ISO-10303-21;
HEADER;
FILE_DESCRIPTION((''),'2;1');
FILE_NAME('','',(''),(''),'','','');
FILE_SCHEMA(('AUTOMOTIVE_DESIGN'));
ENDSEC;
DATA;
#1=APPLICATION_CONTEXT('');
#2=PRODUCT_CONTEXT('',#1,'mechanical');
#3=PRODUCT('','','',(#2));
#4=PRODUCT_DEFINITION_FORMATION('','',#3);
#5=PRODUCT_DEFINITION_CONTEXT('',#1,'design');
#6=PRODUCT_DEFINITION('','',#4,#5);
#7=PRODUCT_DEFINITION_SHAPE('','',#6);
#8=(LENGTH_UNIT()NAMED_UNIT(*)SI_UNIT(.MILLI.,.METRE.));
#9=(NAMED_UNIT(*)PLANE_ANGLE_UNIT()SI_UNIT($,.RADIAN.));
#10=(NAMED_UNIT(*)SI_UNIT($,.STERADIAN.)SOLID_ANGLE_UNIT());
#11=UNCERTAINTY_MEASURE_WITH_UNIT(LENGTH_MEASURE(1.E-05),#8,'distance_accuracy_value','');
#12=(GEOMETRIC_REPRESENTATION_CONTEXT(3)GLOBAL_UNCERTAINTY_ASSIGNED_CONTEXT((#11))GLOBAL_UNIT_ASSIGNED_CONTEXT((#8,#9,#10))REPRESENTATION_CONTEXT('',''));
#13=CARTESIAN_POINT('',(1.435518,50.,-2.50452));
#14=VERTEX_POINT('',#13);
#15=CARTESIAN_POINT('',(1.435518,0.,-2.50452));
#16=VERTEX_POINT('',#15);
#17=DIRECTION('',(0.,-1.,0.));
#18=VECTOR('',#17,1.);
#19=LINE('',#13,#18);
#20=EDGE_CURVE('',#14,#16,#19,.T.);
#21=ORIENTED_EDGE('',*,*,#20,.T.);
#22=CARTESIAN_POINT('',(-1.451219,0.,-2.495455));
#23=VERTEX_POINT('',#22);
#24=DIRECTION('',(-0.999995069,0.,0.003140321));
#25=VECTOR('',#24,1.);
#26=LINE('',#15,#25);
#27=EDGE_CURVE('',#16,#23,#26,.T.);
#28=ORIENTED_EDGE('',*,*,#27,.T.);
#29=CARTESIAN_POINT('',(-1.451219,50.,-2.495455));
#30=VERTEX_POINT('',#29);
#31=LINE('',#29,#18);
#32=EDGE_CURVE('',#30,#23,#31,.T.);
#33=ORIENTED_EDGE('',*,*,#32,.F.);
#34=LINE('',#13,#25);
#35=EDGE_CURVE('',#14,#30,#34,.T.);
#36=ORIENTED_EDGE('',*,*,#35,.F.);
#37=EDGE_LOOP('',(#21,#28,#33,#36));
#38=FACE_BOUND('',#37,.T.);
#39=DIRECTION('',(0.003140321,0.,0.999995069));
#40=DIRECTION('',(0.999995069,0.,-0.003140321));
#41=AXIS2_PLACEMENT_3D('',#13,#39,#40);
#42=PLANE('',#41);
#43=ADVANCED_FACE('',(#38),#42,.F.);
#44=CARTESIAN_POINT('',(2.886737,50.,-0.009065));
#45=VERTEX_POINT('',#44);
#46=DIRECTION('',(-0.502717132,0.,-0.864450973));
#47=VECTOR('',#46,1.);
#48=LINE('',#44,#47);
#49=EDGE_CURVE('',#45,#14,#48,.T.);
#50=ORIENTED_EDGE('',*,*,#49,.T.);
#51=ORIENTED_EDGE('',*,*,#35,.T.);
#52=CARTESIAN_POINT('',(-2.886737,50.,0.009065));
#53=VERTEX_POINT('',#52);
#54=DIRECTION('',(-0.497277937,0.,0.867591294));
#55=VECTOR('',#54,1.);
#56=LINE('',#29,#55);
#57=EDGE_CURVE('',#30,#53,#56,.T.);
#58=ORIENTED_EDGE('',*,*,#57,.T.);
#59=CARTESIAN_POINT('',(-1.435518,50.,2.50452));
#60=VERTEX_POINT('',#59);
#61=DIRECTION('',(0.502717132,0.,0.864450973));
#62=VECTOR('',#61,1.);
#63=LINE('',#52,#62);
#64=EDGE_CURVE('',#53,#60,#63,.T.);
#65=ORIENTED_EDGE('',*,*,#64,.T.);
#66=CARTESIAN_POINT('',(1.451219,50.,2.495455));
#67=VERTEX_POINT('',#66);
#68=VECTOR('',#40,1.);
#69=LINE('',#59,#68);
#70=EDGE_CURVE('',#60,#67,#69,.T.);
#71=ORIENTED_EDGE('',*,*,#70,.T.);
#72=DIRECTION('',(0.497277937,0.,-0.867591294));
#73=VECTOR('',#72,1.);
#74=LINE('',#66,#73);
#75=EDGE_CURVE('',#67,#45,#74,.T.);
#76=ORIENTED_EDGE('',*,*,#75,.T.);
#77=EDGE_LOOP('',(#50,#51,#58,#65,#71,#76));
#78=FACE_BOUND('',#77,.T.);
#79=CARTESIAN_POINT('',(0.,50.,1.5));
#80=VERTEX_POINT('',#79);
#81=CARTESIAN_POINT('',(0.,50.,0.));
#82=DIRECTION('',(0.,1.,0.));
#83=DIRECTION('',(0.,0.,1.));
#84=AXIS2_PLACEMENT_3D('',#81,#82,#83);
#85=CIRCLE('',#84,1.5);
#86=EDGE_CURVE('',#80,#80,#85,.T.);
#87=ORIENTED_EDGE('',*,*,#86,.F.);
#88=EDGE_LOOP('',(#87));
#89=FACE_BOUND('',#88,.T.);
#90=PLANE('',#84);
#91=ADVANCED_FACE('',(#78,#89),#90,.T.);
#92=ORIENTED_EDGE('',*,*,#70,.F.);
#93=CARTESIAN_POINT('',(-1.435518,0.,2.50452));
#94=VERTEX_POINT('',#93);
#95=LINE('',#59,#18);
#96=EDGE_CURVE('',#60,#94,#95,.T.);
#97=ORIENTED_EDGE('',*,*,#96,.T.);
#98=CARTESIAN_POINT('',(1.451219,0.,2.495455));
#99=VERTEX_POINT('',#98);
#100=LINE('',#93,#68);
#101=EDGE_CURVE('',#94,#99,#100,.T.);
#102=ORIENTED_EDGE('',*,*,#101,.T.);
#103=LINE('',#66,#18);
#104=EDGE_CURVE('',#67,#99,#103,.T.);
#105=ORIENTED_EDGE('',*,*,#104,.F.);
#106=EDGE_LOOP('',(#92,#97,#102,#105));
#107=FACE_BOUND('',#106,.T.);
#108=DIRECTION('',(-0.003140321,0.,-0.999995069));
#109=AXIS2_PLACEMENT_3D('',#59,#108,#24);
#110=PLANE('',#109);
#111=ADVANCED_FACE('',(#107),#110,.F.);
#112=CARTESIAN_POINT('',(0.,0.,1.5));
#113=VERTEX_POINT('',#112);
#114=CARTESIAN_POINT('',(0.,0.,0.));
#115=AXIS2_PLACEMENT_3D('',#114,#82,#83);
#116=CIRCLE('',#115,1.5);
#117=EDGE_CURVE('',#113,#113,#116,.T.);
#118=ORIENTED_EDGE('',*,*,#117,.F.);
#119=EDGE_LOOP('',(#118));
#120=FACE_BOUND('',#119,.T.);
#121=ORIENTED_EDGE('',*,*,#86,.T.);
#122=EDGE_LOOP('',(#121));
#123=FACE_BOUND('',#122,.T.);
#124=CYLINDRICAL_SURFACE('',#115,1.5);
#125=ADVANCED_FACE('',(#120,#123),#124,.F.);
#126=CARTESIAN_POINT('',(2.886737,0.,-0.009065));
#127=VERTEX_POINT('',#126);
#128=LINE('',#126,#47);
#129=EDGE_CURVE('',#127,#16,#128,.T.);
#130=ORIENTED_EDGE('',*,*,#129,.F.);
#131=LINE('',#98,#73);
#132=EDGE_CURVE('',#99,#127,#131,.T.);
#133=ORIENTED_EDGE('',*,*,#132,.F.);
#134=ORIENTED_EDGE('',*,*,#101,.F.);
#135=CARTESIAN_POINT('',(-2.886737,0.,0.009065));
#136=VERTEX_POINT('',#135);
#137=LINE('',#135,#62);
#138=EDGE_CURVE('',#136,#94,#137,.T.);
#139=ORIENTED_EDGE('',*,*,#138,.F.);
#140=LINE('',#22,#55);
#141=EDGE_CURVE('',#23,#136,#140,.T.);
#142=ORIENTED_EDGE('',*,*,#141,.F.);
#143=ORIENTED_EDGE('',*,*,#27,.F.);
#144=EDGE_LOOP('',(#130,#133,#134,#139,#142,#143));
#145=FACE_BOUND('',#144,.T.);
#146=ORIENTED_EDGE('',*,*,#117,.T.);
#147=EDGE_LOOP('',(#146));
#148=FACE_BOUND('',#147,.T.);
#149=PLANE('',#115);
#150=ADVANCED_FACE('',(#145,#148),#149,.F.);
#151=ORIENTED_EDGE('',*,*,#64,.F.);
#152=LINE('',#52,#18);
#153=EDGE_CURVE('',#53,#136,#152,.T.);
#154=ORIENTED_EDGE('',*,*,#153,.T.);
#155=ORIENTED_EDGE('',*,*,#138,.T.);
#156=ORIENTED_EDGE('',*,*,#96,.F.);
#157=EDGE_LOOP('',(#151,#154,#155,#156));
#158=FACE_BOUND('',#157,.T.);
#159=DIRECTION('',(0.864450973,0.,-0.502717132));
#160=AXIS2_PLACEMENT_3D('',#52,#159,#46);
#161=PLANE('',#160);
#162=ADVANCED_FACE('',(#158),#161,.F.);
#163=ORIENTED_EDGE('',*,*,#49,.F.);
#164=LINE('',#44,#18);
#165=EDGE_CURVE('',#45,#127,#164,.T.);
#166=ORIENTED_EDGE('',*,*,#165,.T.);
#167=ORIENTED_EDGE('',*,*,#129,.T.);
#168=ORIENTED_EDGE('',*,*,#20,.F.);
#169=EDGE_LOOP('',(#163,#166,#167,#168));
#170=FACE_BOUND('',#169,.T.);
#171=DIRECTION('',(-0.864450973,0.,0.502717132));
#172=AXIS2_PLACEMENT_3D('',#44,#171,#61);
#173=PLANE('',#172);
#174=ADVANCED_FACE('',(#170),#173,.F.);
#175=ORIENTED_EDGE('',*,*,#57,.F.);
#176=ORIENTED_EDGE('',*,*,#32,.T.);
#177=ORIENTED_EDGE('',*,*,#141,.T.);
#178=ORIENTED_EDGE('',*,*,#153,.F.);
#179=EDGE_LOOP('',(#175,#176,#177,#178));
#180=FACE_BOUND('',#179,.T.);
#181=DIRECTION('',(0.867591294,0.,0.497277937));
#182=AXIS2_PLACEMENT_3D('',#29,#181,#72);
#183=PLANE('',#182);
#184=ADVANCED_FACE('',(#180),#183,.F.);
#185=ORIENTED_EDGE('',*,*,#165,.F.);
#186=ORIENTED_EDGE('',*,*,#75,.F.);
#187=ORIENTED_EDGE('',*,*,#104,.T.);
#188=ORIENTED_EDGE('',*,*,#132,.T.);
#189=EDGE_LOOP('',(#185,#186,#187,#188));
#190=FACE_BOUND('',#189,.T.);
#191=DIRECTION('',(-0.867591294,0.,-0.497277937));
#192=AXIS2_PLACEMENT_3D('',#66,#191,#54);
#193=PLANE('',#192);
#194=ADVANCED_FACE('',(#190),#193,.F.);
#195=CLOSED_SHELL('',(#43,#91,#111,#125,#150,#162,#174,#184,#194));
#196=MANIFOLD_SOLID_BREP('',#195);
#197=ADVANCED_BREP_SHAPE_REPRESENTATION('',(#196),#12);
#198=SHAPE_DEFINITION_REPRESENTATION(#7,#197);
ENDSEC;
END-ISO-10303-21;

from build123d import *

# Parameters (mm, degrees)
Y_KSEKLIK_EKSTR_ZYON1_DEPTH = 50
IZIM2_R                     = 1.5
KES_EKSTR_ZYON1_DEPTH       = 50


with BuildPart() as part:
    # Çizim1 → Yükseklik-Ekstrüzyon1 (new body)
    with BuildSketch(Plane(origin=(0, 0, 0), x_dir=(1, 0, 0), z_dir=(0, 1, 0))):
        Polygon((1.435517753, 2.504520336), (-1.451219358, 2.49545501), (-2.886737112, -0.009065326), (-1.435517753, -2.504520336), (1.451219358, -2.49545501), (2.886737112, 0.009065326), align=None)
    extrude(amount=Y_KSEKLIK_EKSTR_ZYON1_DEPTH)

    # Çizim2 → Kes-Ekstrüzyon1 (cut)
    with BuildSketch(Plane(origin=(0, 50, 0), x_dir=(1, 0, 0), z_dir=(0, 1, 0))):
        Circle(IZIM2_R)
    extrude(amount=-KES_EKSTR_ZYON1_DEPTH, mode=Mode.SUBTRACT)


solid = part.part
